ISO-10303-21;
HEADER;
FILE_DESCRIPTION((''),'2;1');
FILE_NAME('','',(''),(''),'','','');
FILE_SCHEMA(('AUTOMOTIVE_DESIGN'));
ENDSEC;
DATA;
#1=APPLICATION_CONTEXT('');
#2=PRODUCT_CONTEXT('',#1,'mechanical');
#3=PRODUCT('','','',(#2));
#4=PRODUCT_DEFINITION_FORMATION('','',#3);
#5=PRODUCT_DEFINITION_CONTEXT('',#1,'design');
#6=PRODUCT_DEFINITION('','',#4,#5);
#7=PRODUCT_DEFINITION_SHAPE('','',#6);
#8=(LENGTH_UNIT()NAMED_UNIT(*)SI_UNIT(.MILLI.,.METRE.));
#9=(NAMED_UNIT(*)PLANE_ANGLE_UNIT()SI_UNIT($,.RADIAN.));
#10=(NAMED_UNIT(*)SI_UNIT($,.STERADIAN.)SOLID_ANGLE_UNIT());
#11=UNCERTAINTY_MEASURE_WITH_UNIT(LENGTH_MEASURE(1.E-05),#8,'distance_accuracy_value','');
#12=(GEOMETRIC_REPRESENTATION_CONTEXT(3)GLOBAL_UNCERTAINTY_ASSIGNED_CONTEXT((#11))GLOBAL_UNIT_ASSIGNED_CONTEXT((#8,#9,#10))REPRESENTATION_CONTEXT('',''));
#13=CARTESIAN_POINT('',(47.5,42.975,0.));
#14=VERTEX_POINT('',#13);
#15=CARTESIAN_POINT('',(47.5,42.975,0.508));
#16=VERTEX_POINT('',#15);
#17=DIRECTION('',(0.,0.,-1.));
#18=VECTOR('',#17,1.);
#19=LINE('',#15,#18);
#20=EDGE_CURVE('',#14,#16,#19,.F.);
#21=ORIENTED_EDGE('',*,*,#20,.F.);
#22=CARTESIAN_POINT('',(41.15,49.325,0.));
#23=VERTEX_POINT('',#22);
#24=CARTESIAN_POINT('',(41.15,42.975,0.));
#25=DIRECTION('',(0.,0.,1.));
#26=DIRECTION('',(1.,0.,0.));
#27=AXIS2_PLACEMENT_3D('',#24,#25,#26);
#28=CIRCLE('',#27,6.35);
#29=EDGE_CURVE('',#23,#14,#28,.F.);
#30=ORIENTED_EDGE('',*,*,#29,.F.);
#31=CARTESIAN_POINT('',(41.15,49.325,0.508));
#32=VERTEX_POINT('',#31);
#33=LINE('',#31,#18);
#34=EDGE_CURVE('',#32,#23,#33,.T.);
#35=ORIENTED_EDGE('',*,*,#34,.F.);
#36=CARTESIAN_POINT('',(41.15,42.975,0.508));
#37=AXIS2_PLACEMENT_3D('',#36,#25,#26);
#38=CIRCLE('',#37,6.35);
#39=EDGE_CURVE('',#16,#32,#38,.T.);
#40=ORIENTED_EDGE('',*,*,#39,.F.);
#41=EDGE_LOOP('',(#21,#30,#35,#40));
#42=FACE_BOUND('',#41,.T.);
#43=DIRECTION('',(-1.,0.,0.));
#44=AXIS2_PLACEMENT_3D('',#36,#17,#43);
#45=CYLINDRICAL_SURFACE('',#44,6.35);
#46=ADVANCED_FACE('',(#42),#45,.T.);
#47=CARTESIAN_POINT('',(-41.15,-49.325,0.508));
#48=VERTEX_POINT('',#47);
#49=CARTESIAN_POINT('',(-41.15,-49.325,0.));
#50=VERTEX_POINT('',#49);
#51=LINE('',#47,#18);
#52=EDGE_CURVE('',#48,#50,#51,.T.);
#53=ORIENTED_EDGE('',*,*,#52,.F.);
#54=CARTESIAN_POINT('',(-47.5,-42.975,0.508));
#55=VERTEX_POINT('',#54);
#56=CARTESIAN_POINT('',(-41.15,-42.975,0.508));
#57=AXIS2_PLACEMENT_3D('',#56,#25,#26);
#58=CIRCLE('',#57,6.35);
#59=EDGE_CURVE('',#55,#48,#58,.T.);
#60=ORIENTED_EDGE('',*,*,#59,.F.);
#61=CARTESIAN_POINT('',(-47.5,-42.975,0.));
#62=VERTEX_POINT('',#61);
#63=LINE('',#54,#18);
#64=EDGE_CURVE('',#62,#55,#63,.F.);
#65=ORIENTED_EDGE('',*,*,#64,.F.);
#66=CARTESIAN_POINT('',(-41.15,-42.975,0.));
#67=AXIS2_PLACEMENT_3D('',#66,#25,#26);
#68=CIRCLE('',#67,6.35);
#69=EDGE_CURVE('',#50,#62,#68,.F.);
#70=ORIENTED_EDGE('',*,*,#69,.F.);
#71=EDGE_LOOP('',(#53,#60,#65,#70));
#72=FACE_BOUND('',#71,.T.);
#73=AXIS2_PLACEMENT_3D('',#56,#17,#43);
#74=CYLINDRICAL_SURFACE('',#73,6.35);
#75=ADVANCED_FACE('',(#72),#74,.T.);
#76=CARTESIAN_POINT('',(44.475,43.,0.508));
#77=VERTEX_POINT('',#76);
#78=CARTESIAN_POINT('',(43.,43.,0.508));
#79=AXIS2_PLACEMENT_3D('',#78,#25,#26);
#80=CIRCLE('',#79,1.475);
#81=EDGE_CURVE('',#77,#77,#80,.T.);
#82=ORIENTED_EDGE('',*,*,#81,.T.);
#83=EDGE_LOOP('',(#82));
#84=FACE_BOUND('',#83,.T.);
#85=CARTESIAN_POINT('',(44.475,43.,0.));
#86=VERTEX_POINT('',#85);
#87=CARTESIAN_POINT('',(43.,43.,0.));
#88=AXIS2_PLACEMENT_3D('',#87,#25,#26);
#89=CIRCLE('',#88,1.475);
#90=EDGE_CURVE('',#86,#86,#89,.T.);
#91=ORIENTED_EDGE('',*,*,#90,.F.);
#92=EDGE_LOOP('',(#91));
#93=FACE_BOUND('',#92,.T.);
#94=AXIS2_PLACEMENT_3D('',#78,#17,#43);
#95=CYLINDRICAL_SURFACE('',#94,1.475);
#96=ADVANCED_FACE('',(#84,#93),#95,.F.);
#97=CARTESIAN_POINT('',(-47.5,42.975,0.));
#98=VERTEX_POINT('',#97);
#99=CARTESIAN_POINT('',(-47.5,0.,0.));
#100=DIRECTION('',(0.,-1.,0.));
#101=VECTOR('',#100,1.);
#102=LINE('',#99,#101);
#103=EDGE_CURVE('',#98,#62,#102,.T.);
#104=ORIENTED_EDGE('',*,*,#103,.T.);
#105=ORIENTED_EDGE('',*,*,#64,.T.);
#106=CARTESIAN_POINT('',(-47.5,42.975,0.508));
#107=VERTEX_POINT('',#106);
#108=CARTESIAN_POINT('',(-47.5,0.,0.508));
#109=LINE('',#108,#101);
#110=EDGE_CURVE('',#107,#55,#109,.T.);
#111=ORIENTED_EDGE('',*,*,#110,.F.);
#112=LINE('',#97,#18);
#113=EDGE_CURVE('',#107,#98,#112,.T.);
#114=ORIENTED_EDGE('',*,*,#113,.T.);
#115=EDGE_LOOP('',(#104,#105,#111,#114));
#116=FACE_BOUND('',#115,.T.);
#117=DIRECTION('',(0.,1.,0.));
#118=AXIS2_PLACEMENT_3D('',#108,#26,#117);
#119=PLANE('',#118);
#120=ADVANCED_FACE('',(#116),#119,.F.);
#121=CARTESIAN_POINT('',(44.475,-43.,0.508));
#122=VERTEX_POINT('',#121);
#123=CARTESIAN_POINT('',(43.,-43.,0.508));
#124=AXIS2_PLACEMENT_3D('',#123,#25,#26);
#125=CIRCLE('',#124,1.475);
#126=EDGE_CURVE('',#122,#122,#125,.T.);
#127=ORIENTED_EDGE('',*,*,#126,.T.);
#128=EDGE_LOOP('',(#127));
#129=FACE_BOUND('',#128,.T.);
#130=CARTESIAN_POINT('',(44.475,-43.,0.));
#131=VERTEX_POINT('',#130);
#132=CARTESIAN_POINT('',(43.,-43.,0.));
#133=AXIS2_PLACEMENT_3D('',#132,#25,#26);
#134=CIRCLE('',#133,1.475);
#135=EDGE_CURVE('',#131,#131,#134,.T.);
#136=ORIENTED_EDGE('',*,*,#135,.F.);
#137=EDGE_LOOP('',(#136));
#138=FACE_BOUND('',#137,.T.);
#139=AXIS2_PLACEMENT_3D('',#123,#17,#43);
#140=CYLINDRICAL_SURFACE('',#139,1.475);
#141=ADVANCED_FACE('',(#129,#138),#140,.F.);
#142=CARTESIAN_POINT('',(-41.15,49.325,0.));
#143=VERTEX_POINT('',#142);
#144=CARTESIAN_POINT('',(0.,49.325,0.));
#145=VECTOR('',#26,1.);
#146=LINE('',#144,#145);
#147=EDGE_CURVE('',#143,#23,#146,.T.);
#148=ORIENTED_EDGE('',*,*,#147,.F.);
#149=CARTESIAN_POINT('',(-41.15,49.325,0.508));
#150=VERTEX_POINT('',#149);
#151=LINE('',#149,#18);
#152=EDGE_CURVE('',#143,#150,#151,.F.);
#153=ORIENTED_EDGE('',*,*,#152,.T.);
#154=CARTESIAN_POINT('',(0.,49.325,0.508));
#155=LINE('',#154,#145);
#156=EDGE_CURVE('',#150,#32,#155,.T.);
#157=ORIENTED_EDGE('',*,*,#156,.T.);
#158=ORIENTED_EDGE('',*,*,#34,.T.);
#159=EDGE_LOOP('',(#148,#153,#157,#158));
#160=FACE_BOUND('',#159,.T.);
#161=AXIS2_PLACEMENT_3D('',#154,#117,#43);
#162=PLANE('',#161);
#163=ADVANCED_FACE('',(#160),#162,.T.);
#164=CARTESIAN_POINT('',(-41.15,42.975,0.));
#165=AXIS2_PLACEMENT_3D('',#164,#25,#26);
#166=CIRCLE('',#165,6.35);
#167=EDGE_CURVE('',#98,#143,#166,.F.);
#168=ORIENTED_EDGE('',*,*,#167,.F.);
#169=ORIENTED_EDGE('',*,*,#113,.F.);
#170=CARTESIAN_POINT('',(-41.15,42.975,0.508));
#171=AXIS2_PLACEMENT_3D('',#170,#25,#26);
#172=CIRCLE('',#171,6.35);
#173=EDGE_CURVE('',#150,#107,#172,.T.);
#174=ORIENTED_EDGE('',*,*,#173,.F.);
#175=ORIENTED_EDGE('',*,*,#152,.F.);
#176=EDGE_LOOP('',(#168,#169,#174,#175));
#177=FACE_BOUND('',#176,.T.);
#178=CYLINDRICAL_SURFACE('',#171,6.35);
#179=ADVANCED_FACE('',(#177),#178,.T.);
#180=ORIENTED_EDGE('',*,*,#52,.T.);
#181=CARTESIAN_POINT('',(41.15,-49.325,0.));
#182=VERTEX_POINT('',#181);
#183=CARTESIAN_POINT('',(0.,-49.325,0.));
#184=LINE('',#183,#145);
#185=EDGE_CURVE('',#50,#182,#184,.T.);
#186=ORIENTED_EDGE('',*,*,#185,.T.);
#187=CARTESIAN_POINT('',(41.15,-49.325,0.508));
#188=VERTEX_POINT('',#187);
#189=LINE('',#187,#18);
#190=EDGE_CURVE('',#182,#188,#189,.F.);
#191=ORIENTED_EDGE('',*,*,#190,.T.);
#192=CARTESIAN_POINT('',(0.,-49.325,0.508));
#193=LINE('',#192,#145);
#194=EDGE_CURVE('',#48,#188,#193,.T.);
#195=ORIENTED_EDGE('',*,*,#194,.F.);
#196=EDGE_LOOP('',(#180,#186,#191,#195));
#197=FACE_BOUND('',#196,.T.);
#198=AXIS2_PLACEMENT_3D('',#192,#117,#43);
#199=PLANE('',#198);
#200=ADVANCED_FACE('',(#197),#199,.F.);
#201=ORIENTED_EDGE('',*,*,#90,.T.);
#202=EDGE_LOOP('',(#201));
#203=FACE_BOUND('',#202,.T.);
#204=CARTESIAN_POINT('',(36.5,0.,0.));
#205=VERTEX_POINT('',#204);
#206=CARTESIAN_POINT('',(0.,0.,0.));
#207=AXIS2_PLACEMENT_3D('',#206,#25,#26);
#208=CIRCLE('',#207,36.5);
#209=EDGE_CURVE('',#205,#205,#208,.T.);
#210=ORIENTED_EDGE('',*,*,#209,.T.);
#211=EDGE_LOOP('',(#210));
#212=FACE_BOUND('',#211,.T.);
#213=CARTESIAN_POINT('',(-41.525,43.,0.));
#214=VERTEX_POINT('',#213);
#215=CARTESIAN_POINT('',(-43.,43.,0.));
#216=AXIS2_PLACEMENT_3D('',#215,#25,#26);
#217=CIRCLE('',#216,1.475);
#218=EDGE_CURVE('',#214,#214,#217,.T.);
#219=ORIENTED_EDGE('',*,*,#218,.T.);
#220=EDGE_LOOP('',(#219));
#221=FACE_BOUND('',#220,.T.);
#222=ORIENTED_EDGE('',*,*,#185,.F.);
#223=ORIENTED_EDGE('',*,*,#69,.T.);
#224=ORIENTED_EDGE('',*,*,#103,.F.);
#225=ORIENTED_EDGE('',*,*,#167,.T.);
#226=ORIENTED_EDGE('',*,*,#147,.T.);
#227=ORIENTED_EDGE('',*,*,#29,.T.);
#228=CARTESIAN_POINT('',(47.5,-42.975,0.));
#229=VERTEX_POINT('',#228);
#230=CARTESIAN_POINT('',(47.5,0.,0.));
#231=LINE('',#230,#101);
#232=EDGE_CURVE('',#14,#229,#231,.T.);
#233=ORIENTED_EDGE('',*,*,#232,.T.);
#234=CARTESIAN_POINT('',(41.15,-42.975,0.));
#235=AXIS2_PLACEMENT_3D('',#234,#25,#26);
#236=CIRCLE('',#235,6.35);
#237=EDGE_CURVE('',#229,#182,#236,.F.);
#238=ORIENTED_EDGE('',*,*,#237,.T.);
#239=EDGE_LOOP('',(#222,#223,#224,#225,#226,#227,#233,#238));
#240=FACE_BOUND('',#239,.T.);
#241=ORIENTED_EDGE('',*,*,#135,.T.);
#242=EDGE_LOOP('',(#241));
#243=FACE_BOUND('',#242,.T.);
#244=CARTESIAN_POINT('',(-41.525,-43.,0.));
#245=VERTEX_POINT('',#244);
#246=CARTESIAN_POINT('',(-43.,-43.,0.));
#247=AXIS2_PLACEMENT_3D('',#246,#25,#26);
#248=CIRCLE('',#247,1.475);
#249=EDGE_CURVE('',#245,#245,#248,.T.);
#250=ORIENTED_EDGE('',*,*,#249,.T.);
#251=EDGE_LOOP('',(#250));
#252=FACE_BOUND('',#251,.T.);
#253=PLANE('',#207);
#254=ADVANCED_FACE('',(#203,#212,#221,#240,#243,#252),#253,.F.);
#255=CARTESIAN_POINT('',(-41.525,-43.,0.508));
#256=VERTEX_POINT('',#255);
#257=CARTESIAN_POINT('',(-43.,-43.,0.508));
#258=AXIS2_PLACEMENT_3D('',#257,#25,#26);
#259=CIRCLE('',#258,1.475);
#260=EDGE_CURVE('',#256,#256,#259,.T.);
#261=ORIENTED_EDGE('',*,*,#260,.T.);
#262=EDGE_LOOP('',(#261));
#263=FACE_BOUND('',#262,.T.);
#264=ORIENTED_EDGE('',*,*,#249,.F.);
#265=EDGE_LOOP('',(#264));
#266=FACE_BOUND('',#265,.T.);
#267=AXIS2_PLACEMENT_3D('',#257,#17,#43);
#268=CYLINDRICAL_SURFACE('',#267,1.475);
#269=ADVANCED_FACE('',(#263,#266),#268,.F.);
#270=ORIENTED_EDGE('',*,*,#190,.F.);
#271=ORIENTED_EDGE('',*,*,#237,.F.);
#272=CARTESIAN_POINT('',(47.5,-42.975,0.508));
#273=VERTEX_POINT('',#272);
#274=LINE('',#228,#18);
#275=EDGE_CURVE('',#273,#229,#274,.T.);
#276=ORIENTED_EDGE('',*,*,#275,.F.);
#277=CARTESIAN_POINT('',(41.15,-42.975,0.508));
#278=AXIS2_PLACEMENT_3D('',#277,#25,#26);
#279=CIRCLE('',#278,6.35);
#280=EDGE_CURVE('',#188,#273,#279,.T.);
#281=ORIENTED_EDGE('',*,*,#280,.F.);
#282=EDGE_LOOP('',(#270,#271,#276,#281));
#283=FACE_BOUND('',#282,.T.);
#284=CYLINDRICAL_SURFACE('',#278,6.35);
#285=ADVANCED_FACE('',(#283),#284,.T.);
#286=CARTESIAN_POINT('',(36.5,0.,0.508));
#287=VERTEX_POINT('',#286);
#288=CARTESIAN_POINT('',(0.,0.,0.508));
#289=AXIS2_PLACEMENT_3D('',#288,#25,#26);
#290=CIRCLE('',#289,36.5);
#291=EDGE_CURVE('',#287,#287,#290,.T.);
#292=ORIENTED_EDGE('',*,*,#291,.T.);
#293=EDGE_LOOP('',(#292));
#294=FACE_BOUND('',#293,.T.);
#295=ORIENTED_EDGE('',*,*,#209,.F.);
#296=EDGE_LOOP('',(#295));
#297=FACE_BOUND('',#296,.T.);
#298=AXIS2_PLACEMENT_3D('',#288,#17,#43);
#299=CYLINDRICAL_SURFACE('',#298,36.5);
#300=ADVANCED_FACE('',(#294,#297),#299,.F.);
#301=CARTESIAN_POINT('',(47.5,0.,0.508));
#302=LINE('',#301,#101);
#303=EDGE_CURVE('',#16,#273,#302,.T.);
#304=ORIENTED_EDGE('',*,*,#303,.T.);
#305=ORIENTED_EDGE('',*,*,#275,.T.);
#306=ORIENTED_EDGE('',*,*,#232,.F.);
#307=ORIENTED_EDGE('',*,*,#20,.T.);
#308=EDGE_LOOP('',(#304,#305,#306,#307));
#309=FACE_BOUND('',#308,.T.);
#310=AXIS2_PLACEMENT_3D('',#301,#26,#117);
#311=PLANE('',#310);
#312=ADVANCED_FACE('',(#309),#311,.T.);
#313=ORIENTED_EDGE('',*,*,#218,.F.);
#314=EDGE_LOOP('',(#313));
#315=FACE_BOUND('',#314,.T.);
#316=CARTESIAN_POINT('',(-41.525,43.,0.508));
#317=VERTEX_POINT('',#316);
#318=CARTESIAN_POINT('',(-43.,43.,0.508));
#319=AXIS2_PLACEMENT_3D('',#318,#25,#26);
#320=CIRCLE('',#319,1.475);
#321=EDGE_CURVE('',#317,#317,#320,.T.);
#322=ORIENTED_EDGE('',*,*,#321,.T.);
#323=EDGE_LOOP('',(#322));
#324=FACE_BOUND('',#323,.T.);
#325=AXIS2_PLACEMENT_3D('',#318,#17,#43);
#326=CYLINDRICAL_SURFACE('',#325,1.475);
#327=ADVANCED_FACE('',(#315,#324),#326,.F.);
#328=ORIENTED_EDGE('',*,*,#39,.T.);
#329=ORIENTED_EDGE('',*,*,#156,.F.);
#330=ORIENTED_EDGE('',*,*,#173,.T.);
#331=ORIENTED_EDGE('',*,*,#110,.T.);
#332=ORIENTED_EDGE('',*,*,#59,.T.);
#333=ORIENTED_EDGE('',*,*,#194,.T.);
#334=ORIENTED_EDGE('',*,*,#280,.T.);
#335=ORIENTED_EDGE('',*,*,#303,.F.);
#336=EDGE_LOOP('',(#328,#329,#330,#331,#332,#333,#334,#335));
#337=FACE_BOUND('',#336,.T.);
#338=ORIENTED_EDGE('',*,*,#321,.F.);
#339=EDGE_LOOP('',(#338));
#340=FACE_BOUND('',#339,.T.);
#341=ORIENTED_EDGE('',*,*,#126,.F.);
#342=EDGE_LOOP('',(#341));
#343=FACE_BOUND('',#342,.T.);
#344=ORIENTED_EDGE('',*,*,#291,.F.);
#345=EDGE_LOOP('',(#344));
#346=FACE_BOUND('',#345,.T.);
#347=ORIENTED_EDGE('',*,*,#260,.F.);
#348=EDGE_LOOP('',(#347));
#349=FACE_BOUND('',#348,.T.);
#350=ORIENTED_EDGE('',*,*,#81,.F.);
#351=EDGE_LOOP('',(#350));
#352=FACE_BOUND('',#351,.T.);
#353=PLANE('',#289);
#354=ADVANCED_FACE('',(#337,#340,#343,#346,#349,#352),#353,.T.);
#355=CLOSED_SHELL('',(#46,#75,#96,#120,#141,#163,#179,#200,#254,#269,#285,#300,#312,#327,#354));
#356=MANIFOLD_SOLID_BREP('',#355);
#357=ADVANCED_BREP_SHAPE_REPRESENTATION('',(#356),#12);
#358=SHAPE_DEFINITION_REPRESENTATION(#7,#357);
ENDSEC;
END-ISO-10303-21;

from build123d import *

# Parameters (mm, degrees)
SKETCH2_W           = 95
SKETCH2_H           = 98.65
SKETCH2_R           = 36.5
SKETCH2_R_2         = 1.475
BOSS_EXTRUDE1_DEPTH = 0.508
FILLET1_R           = 6.35


with BuildPart() as part:
    # Sketch2 → Boss-Extrude1 (new body)
    with BuildSketch(Plane.XY):
        Rectangle(SKETCH2_W, SKETCH2_H)
        Circle(SKETCH2_R, mode=Mode.SUBTRACT)
        with Locations((-43, 43)):
            Circle(SKETCH2_R_2, mode=Mode.SUBTRACT)
        with Locations((43, 43)):
            Circle(SKETCH2_R_2, mode=Mode.SUBTRACT)
        with Locations((43, -43)):
            Circle(SKETCH2_R_2, mode=Mode.SUBTRACT)
        with Locations((-43, -43)):
            Circle(SKETCH2_R_2, mode=Mode.SUBTRACT)
    extrude(amount=BOSS_EXTRUDE1_DEPTH)

    # Fillet1
    fillet1_edges = [part.edges().sort_by_distance(p)[0] for p in [
        (47.5, -49.325, 0.254),
        (-47.5, -49.325, 0.254),
        (-47.5, 49.325, 0.254),
        (47.5, 49.325, 0.254),
    ]]
    fillet(fillet1_edges, radius=FILLET1_R)


solid = part.part
